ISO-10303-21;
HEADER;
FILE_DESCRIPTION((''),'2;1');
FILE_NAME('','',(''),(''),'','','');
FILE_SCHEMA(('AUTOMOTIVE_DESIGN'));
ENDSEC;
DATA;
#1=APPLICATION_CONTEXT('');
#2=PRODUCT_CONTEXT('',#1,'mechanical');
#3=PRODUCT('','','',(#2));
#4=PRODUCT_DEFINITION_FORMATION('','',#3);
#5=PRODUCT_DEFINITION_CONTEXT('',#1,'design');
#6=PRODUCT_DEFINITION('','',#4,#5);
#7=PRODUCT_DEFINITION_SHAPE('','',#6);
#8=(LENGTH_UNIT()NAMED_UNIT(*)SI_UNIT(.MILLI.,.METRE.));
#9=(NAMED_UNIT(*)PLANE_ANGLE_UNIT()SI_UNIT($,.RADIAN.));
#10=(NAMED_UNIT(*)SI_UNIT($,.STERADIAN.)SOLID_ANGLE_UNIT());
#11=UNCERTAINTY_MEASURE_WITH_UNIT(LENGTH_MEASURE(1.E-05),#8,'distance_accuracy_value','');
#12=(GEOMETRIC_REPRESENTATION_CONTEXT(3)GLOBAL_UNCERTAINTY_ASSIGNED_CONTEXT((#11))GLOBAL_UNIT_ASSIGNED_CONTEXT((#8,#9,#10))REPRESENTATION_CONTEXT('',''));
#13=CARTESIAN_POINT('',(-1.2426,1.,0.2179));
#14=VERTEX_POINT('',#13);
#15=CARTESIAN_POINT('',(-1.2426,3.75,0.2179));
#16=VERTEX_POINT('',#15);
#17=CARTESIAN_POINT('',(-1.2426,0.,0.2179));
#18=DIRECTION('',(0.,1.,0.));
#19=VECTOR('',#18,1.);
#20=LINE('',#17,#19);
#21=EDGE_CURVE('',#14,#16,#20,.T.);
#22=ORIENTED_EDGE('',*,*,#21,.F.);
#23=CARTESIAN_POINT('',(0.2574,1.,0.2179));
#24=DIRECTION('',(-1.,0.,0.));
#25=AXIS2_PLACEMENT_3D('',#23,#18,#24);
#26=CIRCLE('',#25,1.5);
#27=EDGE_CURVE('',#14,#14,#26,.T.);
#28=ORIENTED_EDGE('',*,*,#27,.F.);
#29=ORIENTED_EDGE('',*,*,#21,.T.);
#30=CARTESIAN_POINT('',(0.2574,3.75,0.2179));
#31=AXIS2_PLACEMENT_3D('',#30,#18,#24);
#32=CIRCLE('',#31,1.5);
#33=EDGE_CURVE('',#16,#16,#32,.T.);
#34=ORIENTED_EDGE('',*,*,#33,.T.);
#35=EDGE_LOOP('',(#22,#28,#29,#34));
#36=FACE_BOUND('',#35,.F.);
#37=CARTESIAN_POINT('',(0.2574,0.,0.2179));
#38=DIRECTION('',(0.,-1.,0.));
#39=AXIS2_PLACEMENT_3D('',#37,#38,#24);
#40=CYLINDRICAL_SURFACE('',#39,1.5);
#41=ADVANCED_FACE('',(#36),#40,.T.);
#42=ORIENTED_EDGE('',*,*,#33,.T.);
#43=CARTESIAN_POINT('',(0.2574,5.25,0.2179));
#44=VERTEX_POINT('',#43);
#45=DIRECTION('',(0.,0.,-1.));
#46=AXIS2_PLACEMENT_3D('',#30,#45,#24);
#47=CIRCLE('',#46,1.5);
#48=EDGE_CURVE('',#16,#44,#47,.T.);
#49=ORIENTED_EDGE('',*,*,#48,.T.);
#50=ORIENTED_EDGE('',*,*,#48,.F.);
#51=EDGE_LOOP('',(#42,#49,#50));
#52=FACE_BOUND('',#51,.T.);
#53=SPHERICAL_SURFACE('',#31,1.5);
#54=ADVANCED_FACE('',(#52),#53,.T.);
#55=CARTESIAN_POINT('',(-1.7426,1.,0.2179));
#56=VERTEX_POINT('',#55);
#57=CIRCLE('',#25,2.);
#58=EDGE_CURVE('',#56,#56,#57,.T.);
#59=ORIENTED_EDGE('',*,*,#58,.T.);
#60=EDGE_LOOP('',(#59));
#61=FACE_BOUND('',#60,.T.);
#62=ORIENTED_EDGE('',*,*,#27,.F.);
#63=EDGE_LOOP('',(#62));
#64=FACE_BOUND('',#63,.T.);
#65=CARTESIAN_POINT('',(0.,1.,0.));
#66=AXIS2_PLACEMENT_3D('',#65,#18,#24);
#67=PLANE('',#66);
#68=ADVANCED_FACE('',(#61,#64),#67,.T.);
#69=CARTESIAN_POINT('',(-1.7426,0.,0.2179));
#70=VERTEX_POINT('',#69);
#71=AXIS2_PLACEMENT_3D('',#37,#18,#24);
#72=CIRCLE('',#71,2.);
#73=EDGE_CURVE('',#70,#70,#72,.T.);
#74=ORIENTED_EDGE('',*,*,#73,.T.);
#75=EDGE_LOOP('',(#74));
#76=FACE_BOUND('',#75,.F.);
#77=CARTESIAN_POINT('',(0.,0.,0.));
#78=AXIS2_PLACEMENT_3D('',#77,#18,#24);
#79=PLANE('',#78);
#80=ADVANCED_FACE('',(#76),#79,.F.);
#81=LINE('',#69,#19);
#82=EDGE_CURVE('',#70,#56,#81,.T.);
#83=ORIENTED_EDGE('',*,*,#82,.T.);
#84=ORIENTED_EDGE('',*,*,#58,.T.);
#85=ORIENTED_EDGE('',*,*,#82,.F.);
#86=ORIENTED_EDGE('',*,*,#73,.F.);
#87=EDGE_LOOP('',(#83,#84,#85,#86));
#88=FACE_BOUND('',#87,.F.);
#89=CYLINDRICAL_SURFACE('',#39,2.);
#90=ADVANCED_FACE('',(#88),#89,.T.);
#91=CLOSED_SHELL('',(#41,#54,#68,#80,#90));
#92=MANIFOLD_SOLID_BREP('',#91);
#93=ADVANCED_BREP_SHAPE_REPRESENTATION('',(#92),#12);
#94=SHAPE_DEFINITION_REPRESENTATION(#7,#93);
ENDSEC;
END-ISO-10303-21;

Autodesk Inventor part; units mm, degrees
ref_plane "YZ Plane" through (0, 0, 0) normal (1, 0, 0) x (0, 1, 0)
ref_plane "XZ Plane" through (0, 0, 0) normal (0, 1, 0) x (-1, 0, 0)
ref_plane "XY Plane" through (0, 0, 0) normal (0, 0, 1) x (1, 0, 0)
sketch "Sketch1" plane through (0, 0, 0) normal (0, 1, 0) x (-1, 0, 0)
  circle A0 centre (-0.2574, 0.2179) radius 1.5
  point P0 (0, 0)
  dimension "d0" = 3
extrude "Extrusion1" add sketch "Sketch1" along normal blind 5.25
fillet "Fillet1" radius 1.5 1 edges at (1.7574, 5.25, 0.2179)
sketch "Sketch2" plane through (0, 0, 0) normal (0, 1, 0) x (-1, 0, 0)
  circle A0 centre (-0.2574, 0.2179) radius 2
  circle A1 centre (-0.2574, 0.2179) radius 1.5 projected
  circle A2 centre (-0.2574, 0.2179) radius 1.5
  point P0 (0, 0)
  dimension "d4" = 0
  dimension "d5" = 4
  dimension "d6" = 0.5
extrude "Extrusion2" add sketch "Sketch2" along normal blind 1
properties part number "LTR_4206E_Photodiode"
